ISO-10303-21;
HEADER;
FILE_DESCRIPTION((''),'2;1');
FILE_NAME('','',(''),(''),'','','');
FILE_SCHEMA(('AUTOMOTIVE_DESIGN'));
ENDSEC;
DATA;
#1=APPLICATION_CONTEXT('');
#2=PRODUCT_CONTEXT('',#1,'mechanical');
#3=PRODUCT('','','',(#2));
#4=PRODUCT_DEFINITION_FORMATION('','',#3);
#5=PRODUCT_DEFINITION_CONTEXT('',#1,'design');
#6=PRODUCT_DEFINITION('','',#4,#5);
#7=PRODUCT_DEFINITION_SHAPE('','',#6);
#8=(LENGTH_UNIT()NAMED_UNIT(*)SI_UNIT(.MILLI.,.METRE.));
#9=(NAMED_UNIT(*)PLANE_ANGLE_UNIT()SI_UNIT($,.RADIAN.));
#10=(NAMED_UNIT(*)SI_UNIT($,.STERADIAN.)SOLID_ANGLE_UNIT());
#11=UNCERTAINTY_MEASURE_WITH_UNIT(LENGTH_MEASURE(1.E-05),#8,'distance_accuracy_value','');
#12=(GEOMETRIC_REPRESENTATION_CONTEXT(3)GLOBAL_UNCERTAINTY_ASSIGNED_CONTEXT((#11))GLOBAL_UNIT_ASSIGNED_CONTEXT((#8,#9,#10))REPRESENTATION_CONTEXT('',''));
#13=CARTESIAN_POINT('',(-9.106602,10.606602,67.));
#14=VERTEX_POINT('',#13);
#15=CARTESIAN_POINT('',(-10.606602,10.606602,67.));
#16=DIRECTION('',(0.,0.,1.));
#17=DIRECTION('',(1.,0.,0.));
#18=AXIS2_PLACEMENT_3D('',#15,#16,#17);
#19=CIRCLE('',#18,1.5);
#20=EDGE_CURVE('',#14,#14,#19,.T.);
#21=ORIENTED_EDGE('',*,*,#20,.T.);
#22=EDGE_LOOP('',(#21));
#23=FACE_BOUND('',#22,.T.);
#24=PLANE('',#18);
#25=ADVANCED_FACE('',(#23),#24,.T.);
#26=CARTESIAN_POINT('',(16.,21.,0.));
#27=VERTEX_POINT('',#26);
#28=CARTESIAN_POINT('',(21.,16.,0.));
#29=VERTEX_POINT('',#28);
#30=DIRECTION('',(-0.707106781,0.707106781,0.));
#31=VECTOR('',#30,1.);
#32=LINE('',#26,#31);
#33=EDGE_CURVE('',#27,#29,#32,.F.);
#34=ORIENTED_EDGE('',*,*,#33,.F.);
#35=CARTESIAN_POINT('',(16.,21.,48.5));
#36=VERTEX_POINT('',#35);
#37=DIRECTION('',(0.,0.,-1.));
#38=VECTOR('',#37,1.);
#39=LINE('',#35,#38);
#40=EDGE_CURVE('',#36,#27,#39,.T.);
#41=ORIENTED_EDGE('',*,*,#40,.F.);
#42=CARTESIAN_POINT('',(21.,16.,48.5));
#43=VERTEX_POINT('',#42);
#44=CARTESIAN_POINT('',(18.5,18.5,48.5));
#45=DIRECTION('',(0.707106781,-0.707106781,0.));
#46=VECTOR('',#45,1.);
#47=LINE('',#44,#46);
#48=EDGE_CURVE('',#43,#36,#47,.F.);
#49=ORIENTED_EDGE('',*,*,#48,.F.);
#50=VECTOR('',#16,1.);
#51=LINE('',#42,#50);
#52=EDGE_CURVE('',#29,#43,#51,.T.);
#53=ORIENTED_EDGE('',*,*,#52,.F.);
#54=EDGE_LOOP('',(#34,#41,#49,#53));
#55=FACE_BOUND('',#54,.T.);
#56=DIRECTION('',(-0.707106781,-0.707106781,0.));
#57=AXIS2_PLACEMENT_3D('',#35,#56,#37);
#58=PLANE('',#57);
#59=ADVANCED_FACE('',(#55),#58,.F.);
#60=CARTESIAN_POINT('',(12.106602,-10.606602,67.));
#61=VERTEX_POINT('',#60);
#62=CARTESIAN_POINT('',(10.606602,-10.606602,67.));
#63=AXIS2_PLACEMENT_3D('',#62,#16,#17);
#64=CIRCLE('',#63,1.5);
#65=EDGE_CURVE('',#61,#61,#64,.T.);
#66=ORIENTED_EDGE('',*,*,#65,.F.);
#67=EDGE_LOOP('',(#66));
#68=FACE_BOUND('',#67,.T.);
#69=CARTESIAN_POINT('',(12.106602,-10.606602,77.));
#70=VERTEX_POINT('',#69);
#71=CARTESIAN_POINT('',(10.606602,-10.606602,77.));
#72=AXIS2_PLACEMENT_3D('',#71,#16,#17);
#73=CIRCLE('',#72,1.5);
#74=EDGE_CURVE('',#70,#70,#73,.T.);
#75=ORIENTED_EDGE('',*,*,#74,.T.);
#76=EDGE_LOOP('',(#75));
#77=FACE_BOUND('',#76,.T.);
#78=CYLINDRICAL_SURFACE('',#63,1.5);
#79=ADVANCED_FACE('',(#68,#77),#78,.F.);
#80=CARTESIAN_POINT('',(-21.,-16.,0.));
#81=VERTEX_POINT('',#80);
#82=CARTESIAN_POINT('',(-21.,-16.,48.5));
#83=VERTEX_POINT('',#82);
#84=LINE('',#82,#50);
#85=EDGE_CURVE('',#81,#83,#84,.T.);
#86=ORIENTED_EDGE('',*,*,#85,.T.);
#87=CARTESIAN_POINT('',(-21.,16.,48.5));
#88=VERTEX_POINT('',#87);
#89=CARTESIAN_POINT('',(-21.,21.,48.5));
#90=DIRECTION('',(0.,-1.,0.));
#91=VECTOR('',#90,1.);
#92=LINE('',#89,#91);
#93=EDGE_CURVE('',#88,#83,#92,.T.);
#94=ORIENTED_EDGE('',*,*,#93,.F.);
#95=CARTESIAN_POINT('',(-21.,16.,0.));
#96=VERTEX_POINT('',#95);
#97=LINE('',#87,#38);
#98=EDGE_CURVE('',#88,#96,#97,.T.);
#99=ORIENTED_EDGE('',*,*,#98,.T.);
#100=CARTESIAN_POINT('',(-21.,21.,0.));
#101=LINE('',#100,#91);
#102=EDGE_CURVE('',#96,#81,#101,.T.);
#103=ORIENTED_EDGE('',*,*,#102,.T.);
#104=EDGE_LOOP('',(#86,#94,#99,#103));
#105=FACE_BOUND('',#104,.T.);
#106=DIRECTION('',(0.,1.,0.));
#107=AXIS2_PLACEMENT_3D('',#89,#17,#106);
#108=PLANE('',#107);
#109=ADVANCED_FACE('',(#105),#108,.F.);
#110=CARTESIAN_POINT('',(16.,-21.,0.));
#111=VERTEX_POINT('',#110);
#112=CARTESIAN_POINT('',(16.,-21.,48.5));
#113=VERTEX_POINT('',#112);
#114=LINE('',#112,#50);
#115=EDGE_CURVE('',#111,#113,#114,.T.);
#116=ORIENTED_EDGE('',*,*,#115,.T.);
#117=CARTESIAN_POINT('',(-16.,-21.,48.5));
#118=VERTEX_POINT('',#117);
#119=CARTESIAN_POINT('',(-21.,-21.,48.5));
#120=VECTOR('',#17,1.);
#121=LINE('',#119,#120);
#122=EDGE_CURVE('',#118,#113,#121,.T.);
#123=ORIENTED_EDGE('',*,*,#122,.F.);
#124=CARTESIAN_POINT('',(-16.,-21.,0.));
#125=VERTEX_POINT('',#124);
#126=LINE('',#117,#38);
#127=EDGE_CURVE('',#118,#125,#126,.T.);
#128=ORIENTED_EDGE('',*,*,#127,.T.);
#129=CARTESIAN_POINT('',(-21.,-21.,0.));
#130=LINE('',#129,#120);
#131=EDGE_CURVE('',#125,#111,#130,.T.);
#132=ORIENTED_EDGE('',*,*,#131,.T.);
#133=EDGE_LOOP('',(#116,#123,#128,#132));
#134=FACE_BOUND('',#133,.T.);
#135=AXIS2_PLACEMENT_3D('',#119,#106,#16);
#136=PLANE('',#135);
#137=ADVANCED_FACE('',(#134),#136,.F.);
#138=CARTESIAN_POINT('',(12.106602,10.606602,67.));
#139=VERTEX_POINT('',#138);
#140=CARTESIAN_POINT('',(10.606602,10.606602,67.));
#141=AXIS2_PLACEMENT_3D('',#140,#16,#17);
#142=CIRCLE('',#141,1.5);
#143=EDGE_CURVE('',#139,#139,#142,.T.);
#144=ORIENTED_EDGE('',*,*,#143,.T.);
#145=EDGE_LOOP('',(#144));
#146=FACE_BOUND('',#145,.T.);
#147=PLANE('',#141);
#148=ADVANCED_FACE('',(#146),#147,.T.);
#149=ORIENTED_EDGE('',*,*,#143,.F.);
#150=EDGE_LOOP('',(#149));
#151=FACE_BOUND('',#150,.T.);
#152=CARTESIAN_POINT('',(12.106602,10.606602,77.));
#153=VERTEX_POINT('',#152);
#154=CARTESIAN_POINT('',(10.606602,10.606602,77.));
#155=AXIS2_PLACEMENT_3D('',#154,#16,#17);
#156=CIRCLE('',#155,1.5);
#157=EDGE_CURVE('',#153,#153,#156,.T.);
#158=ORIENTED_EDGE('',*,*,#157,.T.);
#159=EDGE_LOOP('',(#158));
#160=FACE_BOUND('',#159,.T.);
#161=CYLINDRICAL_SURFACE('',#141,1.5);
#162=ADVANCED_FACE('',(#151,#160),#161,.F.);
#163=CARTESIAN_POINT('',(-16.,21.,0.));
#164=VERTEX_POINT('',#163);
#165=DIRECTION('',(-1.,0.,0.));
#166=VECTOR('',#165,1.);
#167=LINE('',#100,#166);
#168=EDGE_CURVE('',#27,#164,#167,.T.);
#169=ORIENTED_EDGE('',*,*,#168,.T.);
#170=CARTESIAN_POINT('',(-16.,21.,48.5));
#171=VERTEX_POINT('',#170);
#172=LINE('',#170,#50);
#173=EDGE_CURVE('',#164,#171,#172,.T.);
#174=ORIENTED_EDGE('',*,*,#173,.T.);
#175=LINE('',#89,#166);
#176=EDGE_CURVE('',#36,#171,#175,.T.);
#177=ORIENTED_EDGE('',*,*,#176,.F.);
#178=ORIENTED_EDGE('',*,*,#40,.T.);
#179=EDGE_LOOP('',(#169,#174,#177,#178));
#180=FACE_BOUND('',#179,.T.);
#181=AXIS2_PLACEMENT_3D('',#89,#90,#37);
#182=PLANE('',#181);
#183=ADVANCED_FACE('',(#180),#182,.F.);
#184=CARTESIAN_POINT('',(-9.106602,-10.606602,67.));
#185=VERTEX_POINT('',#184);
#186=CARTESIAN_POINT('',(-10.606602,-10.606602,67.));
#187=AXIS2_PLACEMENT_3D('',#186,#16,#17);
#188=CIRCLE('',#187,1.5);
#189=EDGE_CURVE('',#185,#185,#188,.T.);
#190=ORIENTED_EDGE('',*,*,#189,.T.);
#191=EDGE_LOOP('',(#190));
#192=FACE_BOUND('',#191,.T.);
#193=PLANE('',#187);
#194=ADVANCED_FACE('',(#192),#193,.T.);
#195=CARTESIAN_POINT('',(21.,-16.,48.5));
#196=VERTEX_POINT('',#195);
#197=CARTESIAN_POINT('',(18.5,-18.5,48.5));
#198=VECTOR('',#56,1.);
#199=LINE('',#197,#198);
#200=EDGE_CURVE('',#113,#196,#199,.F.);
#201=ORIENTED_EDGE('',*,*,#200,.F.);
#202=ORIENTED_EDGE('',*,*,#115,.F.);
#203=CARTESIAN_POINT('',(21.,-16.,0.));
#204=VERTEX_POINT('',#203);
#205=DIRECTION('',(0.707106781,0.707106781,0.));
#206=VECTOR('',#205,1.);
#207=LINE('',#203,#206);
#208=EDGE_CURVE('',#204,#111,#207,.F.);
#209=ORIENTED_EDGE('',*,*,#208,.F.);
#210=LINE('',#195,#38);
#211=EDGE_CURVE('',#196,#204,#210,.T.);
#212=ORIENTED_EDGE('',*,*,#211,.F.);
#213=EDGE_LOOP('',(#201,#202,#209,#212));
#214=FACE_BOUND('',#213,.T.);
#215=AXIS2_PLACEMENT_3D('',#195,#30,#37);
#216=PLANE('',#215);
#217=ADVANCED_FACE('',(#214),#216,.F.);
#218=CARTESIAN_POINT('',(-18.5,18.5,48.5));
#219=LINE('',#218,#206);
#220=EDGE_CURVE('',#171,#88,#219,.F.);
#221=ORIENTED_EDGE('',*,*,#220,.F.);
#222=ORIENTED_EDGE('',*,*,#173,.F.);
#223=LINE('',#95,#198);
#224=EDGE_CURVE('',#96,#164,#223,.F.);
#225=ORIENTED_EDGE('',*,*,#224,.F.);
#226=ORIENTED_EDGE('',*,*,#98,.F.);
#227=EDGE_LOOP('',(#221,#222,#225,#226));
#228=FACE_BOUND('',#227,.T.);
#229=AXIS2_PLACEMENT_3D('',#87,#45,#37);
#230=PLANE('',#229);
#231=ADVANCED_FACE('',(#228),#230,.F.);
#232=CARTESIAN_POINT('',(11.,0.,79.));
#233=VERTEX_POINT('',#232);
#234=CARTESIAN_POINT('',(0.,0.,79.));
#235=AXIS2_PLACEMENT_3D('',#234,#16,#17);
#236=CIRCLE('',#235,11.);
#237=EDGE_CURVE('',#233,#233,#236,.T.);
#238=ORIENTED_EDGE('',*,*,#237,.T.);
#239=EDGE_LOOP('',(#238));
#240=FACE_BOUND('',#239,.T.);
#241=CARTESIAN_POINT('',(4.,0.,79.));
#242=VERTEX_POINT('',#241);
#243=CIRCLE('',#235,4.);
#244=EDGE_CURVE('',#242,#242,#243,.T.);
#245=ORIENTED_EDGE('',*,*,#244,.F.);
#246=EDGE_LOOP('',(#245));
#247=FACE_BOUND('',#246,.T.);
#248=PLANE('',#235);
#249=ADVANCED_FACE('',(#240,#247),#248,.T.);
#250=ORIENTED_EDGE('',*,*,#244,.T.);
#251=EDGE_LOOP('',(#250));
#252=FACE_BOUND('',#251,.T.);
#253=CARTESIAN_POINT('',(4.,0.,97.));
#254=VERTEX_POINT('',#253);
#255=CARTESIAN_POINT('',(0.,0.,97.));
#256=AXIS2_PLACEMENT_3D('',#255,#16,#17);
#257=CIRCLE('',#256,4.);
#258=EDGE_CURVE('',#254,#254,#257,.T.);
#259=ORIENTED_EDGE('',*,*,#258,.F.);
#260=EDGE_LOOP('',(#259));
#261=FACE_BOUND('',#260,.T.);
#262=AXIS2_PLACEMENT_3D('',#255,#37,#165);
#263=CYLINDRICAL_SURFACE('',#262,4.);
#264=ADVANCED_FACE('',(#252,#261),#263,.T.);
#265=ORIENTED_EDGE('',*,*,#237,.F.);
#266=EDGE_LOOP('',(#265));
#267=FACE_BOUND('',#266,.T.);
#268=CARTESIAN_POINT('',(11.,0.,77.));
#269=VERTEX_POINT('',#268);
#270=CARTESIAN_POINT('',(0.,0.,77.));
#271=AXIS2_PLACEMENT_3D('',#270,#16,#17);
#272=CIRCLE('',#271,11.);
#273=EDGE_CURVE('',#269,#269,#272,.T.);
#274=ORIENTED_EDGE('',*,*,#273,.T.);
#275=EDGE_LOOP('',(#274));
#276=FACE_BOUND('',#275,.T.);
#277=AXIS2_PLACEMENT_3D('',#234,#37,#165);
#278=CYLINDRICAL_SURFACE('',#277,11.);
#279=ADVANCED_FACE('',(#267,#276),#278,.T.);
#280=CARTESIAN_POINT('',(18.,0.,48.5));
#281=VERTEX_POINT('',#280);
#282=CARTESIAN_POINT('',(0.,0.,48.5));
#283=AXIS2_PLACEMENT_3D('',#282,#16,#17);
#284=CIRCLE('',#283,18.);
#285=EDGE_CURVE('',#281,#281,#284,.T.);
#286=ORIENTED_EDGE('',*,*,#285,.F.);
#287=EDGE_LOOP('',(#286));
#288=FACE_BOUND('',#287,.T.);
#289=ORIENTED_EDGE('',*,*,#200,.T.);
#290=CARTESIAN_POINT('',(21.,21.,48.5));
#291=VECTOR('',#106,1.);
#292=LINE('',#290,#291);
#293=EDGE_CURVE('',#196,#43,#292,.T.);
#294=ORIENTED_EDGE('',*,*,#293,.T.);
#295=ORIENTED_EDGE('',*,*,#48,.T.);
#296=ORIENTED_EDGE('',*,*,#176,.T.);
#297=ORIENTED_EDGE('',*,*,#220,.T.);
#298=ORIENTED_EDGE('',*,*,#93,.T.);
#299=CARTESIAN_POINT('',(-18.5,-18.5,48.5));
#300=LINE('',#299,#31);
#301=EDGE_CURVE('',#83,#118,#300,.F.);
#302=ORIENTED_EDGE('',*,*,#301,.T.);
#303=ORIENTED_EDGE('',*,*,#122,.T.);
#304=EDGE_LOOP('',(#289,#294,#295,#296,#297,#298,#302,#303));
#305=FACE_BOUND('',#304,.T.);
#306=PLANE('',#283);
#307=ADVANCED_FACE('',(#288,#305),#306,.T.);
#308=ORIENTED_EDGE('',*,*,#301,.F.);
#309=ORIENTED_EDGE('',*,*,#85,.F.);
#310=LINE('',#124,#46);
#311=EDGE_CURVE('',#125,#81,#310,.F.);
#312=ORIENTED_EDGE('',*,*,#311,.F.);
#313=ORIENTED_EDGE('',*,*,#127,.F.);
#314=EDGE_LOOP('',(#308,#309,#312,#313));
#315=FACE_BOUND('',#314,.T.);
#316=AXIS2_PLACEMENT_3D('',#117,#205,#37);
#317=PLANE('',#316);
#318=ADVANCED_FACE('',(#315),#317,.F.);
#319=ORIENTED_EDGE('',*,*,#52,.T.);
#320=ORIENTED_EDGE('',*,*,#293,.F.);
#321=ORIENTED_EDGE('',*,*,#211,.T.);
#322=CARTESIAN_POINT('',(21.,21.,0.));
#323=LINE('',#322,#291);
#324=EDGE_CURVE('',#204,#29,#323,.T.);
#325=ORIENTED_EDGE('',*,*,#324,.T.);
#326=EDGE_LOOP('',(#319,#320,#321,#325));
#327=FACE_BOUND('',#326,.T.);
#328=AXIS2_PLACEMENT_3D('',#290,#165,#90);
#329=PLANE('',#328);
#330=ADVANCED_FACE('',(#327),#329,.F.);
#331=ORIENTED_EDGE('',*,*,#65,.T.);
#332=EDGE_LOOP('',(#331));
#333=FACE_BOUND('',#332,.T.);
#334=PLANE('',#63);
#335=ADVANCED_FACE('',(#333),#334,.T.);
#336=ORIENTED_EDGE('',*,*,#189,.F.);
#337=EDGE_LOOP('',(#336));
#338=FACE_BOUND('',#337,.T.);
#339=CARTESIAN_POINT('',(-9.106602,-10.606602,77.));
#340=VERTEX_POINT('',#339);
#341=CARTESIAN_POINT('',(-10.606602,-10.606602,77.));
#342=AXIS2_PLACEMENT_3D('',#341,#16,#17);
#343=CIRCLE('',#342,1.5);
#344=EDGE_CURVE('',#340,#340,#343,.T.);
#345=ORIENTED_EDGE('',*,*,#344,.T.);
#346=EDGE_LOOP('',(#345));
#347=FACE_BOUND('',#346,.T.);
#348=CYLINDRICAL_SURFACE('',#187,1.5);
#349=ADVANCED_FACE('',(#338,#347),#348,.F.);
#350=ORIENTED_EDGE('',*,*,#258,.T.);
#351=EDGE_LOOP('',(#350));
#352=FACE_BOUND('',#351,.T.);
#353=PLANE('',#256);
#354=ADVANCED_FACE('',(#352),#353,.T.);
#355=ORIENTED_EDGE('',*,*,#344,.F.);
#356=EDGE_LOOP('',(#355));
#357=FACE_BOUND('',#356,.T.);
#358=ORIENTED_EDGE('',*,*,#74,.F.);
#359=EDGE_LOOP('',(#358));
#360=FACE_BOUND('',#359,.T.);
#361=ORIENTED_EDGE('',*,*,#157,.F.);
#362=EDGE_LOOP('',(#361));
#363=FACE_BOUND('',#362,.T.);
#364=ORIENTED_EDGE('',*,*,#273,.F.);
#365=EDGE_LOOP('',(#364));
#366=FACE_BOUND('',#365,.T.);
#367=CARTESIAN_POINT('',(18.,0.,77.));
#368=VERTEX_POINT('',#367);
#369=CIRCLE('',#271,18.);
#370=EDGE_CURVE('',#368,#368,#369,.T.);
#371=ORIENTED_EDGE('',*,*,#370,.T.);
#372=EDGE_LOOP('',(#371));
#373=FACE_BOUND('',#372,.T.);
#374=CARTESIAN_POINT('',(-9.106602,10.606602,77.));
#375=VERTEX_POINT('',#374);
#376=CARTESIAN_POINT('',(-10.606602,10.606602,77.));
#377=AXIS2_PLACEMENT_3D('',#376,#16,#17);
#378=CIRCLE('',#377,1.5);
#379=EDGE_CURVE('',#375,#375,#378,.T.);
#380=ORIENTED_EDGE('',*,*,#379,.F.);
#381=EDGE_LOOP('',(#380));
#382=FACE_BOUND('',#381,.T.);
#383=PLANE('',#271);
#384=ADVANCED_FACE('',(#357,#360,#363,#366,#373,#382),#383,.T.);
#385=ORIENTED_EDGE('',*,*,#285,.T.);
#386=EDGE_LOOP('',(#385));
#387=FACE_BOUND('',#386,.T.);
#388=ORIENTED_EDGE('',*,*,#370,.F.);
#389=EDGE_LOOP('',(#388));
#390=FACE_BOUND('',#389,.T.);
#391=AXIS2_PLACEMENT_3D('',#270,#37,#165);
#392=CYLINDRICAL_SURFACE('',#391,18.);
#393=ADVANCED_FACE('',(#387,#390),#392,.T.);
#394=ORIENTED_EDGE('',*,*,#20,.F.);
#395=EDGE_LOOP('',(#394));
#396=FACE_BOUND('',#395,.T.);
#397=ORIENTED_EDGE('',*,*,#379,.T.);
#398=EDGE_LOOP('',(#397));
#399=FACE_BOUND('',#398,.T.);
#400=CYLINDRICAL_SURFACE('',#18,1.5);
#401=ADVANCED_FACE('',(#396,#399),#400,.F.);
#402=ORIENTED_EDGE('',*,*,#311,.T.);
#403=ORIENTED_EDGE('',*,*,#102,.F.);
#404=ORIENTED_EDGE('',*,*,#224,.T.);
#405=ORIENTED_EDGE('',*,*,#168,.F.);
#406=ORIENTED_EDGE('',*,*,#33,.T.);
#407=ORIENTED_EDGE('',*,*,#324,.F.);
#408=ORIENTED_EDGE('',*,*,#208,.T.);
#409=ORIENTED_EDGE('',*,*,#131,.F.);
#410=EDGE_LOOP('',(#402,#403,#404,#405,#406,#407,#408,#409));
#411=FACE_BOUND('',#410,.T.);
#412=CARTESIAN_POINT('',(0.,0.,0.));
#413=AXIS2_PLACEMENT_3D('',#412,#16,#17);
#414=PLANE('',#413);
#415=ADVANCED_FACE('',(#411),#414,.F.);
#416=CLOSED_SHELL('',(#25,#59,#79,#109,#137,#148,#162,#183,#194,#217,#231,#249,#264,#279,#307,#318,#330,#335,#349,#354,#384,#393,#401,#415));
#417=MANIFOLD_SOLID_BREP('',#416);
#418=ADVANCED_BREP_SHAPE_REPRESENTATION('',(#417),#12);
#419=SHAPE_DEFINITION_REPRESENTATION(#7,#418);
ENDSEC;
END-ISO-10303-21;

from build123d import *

# Parameters (mm, degrees)
SKETCH1_W           = 42
SKETCH1_H           = 42
BOSS_EXTRUDE1_DEPTH = 48.5
SKETCH2_R           = 18
BOSS_EXTRUDE2_DEPTH = 28.5
SKETCH3_R           = 11
SKETCH3_R_2         = 4
BOSS_EXTRUDE3_DEPTH = 2
SKETCH3_2_R         = 4
BOSS_EXTRUDE4_DEPTH = 20
SKETCH4_R           = 1.5
CUT_EXTRUDE1_DEPTH  = 10
CHAMFER1_SIZE       = 5


with BuildPart() as part:
    # Sketch1 → Boss-Extrude1 (new body)
    with BuildSketch(Plane.XY):
        Rectangle(SKETCH1_W, SKETCH1_H)
    extrude(amount=BOSS_EXTRUDE1_DEPTH)

    # Sketch2 → Boss-Extrude2 (add)
    with BuildSketch(Plane.XY.offset(48.5)):
        Circle(SKETCH2_R)
    extrude(amount=BOSS_EXTRUDE2_DEPTH)

    # Sketch3 → Boss-Extrude3 (add)
    with BuildSketch(Plane.XY.offset(77)):
        Circle(SKETCH3_R)
        Circle(SKETCH3_R_2, mode=Mode.SUBTRACT)
    extrude(amount=BOSS_EXTRUDE3_DEPTH)

    # Sketch3<2> → Boss-Extrude4 (add)
    with BuildSketch(Plane.XY.offset(77)):
        Circle(SKETCH3_2_R)
    extrude(amount=BOSS_EXTRUDE4_DEPTH)

    # Sketch4 → Cut-Extrude1 (cut)
    with BuildSketch(Plane.XY.offset(77)):
        with Locations((10.606601718, -10.606601718)):
            Circle(SKETCH4_R)
        with Locations((-10.606601718, -10.606601718)):
            Circle(SKETCH4_R)
        with Locations((-10.606601718, 10.606601718)):
            Circle(SKETCH4_R)
        with Locations((10.606601718, 10.606601718)):
            Circle(SKETCH4_R)
    extrude(amount=-CUT_EXTRUDE1_DEPTH, mode=Mode.SUBTRACT)

    # Chamfer1
    chamfer1_edges = [part.edges().sort_by_distance(p)[0] for p in [
        (21, -21, 24.25),
        (-21, -21, 24.25),
        (-21, 21, 24.25),
        (21, 21, 24.25),
    ]]
    chamfer(chamfer1_edges, length=CHAMFER1_SIZE)


solid = part.part
